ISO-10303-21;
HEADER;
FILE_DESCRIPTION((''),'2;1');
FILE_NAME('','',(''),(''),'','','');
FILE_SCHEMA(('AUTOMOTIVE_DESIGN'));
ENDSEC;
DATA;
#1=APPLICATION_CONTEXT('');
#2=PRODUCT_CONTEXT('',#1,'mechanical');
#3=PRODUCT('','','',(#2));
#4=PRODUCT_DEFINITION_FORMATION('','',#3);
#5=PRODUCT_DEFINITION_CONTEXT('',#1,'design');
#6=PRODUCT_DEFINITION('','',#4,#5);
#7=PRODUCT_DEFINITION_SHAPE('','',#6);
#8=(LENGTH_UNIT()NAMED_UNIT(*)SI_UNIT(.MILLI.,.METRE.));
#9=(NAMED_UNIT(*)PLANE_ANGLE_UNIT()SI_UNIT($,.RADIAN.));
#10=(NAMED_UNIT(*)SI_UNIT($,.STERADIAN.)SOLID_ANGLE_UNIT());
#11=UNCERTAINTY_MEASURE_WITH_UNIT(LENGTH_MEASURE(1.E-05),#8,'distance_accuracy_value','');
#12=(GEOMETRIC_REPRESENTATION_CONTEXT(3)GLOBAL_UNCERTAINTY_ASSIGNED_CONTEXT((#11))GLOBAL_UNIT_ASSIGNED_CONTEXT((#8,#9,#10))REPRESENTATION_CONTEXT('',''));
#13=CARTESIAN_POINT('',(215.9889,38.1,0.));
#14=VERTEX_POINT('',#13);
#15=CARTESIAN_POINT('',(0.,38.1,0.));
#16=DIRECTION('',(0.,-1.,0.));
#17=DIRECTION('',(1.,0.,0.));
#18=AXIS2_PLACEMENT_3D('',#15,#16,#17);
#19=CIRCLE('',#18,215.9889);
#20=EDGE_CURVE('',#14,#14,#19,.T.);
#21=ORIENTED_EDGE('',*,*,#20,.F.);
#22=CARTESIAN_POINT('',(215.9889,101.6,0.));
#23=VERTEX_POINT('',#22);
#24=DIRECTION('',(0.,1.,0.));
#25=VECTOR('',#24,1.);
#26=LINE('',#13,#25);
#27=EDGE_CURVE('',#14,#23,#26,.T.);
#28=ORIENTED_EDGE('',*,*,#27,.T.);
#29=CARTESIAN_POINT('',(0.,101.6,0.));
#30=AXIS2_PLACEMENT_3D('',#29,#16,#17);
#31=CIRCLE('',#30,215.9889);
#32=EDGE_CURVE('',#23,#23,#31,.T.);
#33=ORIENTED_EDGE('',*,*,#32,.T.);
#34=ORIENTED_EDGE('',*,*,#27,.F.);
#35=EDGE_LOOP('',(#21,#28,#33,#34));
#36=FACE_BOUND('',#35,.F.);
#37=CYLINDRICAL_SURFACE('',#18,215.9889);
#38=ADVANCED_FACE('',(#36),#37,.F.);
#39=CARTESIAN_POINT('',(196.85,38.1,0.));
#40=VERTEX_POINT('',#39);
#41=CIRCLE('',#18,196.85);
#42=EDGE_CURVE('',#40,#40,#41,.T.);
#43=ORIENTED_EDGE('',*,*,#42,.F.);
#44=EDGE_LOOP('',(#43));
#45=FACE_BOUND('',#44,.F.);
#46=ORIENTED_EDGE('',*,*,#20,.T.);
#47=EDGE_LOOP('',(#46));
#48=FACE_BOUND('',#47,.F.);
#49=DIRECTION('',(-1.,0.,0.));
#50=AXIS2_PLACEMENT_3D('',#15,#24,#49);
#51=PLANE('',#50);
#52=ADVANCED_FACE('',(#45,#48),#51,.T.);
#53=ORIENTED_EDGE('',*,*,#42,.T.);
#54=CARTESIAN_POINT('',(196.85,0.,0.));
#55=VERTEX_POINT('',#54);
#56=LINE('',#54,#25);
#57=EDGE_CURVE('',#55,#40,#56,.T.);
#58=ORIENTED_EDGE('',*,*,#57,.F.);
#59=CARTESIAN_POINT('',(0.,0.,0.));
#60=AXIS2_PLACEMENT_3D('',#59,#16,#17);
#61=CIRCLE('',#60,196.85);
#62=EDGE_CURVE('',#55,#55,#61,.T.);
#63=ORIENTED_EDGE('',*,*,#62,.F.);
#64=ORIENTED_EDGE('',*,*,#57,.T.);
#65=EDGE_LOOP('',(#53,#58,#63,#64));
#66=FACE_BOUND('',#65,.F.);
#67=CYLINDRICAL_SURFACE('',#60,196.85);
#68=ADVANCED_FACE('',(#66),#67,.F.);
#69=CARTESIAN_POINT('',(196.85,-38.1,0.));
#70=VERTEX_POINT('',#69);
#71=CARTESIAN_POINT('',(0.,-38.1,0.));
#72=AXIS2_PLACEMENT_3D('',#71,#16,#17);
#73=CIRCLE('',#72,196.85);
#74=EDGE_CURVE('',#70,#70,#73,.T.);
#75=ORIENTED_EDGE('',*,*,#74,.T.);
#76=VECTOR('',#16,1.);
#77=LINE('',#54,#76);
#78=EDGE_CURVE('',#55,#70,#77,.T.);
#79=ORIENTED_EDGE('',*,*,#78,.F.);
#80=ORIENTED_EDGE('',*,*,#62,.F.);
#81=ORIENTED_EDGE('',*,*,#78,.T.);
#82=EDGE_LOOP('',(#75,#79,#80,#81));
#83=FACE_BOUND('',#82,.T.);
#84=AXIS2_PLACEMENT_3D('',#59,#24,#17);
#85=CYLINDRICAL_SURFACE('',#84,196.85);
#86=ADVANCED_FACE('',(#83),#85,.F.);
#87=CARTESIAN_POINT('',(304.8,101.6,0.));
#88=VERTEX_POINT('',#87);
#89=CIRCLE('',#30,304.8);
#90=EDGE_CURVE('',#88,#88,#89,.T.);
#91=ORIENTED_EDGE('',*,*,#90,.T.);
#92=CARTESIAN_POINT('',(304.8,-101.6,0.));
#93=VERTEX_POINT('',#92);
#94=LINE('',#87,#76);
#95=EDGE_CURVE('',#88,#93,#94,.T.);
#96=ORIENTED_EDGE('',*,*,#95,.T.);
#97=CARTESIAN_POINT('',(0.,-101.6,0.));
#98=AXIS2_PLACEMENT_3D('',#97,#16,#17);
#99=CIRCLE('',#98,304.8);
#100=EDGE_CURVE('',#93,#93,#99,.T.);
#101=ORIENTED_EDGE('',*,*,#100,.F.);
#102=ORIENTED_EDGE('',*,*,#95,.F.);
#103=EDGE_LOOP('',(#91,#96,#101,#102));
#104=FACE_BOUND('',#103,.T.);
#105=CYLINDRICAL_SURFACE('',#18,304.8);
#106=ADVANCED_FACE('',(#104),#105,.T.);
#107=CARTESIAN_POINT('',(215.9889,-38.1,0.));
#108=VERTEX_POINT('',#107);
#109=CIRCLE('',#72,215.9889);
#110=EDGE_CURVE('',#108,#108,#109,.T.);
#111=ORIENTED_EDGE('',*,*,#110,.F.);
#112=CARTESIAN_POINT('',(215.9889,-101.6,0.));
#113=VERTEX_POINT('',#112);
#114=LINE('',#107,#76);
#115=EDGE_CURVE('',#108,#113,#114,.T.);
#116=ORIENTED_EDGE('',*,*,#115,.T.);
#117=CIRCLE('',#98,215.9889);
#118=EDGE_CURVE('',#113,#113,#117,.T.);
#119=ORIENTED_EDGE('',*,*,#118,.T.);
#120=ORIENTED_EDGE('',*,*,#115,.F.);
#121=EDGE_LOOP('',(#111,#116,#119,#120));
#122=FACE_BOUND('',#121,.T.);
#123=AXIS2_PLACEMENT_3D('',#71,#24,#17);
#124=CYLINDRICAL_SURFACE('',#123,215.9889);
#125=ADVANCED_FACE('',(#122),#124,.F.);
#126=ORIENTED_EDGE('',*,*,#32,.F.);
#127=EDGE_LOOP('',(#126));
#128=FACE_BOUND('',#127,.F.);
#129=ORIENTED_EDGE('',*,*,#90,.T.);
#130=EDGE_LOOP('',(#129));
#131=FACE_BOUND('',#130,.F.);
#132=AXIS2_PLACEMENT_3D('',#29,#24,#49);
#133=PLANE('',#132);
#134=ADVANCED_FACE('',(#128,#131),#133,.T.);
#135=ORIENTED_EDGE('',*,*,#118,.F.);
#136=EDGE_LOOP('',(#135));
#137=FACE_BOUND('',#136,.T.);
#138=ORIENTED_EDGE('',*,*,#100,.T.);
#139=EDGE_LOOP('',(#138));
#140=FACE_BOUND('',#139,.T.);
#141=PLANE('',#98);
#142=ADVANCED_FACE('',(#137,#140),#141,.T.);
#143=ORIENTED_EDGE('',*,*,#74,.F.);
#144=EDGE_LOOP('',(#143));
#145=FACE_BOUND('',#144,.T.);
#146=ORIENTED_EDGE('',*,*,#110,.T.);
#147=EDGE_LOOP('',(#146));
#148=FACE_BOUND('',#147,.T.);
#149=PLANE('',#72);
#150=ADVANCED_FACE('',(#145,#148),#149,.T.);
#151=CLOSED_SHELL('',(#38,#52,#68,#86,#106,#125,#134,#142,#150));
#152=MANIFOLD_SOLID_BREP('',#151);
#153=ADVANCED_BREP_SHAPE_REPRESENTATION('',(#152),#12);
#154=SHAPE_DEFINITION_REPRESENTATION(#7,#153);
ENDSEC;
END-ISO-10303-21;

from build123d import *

# Parameters (mm, degrees)
F0_R     = 304.8
F0_R_2   = 196.85
F1_DEPTH = 38.1
F2_R     = 304.8
F2_R_2   = 215.9889
F3_DEPTH = 63.5


with BuildPart() as f1:
    # F0 (on Front) → F1 (new body)
    with BuildSketch(Plane.XZ):
        Circle(F0_R)
        Circle(F0_R_2, mode=Mode.SUBTRACT)
    extrude(amount=F1_DEPTH)

    # F2 (on face) → F3 (join)
    with BuildSketch(Plane.XZ.offset(38.1)):
        Circle(F2_R)
        Circle(F2_R_2, mode=Mode.SUBTRACT)
    extrude(amount=F3_DEPTH)

    # F4: F1 across face


with BuildPart() as f1_1:
    add(f1.part)
    add(f1.part.mirror(Plane(origin=(0, 0, 0), x_dir=(1, 0, 0), z_dir=(0, 1, 0))))


solid = f1_1.part
